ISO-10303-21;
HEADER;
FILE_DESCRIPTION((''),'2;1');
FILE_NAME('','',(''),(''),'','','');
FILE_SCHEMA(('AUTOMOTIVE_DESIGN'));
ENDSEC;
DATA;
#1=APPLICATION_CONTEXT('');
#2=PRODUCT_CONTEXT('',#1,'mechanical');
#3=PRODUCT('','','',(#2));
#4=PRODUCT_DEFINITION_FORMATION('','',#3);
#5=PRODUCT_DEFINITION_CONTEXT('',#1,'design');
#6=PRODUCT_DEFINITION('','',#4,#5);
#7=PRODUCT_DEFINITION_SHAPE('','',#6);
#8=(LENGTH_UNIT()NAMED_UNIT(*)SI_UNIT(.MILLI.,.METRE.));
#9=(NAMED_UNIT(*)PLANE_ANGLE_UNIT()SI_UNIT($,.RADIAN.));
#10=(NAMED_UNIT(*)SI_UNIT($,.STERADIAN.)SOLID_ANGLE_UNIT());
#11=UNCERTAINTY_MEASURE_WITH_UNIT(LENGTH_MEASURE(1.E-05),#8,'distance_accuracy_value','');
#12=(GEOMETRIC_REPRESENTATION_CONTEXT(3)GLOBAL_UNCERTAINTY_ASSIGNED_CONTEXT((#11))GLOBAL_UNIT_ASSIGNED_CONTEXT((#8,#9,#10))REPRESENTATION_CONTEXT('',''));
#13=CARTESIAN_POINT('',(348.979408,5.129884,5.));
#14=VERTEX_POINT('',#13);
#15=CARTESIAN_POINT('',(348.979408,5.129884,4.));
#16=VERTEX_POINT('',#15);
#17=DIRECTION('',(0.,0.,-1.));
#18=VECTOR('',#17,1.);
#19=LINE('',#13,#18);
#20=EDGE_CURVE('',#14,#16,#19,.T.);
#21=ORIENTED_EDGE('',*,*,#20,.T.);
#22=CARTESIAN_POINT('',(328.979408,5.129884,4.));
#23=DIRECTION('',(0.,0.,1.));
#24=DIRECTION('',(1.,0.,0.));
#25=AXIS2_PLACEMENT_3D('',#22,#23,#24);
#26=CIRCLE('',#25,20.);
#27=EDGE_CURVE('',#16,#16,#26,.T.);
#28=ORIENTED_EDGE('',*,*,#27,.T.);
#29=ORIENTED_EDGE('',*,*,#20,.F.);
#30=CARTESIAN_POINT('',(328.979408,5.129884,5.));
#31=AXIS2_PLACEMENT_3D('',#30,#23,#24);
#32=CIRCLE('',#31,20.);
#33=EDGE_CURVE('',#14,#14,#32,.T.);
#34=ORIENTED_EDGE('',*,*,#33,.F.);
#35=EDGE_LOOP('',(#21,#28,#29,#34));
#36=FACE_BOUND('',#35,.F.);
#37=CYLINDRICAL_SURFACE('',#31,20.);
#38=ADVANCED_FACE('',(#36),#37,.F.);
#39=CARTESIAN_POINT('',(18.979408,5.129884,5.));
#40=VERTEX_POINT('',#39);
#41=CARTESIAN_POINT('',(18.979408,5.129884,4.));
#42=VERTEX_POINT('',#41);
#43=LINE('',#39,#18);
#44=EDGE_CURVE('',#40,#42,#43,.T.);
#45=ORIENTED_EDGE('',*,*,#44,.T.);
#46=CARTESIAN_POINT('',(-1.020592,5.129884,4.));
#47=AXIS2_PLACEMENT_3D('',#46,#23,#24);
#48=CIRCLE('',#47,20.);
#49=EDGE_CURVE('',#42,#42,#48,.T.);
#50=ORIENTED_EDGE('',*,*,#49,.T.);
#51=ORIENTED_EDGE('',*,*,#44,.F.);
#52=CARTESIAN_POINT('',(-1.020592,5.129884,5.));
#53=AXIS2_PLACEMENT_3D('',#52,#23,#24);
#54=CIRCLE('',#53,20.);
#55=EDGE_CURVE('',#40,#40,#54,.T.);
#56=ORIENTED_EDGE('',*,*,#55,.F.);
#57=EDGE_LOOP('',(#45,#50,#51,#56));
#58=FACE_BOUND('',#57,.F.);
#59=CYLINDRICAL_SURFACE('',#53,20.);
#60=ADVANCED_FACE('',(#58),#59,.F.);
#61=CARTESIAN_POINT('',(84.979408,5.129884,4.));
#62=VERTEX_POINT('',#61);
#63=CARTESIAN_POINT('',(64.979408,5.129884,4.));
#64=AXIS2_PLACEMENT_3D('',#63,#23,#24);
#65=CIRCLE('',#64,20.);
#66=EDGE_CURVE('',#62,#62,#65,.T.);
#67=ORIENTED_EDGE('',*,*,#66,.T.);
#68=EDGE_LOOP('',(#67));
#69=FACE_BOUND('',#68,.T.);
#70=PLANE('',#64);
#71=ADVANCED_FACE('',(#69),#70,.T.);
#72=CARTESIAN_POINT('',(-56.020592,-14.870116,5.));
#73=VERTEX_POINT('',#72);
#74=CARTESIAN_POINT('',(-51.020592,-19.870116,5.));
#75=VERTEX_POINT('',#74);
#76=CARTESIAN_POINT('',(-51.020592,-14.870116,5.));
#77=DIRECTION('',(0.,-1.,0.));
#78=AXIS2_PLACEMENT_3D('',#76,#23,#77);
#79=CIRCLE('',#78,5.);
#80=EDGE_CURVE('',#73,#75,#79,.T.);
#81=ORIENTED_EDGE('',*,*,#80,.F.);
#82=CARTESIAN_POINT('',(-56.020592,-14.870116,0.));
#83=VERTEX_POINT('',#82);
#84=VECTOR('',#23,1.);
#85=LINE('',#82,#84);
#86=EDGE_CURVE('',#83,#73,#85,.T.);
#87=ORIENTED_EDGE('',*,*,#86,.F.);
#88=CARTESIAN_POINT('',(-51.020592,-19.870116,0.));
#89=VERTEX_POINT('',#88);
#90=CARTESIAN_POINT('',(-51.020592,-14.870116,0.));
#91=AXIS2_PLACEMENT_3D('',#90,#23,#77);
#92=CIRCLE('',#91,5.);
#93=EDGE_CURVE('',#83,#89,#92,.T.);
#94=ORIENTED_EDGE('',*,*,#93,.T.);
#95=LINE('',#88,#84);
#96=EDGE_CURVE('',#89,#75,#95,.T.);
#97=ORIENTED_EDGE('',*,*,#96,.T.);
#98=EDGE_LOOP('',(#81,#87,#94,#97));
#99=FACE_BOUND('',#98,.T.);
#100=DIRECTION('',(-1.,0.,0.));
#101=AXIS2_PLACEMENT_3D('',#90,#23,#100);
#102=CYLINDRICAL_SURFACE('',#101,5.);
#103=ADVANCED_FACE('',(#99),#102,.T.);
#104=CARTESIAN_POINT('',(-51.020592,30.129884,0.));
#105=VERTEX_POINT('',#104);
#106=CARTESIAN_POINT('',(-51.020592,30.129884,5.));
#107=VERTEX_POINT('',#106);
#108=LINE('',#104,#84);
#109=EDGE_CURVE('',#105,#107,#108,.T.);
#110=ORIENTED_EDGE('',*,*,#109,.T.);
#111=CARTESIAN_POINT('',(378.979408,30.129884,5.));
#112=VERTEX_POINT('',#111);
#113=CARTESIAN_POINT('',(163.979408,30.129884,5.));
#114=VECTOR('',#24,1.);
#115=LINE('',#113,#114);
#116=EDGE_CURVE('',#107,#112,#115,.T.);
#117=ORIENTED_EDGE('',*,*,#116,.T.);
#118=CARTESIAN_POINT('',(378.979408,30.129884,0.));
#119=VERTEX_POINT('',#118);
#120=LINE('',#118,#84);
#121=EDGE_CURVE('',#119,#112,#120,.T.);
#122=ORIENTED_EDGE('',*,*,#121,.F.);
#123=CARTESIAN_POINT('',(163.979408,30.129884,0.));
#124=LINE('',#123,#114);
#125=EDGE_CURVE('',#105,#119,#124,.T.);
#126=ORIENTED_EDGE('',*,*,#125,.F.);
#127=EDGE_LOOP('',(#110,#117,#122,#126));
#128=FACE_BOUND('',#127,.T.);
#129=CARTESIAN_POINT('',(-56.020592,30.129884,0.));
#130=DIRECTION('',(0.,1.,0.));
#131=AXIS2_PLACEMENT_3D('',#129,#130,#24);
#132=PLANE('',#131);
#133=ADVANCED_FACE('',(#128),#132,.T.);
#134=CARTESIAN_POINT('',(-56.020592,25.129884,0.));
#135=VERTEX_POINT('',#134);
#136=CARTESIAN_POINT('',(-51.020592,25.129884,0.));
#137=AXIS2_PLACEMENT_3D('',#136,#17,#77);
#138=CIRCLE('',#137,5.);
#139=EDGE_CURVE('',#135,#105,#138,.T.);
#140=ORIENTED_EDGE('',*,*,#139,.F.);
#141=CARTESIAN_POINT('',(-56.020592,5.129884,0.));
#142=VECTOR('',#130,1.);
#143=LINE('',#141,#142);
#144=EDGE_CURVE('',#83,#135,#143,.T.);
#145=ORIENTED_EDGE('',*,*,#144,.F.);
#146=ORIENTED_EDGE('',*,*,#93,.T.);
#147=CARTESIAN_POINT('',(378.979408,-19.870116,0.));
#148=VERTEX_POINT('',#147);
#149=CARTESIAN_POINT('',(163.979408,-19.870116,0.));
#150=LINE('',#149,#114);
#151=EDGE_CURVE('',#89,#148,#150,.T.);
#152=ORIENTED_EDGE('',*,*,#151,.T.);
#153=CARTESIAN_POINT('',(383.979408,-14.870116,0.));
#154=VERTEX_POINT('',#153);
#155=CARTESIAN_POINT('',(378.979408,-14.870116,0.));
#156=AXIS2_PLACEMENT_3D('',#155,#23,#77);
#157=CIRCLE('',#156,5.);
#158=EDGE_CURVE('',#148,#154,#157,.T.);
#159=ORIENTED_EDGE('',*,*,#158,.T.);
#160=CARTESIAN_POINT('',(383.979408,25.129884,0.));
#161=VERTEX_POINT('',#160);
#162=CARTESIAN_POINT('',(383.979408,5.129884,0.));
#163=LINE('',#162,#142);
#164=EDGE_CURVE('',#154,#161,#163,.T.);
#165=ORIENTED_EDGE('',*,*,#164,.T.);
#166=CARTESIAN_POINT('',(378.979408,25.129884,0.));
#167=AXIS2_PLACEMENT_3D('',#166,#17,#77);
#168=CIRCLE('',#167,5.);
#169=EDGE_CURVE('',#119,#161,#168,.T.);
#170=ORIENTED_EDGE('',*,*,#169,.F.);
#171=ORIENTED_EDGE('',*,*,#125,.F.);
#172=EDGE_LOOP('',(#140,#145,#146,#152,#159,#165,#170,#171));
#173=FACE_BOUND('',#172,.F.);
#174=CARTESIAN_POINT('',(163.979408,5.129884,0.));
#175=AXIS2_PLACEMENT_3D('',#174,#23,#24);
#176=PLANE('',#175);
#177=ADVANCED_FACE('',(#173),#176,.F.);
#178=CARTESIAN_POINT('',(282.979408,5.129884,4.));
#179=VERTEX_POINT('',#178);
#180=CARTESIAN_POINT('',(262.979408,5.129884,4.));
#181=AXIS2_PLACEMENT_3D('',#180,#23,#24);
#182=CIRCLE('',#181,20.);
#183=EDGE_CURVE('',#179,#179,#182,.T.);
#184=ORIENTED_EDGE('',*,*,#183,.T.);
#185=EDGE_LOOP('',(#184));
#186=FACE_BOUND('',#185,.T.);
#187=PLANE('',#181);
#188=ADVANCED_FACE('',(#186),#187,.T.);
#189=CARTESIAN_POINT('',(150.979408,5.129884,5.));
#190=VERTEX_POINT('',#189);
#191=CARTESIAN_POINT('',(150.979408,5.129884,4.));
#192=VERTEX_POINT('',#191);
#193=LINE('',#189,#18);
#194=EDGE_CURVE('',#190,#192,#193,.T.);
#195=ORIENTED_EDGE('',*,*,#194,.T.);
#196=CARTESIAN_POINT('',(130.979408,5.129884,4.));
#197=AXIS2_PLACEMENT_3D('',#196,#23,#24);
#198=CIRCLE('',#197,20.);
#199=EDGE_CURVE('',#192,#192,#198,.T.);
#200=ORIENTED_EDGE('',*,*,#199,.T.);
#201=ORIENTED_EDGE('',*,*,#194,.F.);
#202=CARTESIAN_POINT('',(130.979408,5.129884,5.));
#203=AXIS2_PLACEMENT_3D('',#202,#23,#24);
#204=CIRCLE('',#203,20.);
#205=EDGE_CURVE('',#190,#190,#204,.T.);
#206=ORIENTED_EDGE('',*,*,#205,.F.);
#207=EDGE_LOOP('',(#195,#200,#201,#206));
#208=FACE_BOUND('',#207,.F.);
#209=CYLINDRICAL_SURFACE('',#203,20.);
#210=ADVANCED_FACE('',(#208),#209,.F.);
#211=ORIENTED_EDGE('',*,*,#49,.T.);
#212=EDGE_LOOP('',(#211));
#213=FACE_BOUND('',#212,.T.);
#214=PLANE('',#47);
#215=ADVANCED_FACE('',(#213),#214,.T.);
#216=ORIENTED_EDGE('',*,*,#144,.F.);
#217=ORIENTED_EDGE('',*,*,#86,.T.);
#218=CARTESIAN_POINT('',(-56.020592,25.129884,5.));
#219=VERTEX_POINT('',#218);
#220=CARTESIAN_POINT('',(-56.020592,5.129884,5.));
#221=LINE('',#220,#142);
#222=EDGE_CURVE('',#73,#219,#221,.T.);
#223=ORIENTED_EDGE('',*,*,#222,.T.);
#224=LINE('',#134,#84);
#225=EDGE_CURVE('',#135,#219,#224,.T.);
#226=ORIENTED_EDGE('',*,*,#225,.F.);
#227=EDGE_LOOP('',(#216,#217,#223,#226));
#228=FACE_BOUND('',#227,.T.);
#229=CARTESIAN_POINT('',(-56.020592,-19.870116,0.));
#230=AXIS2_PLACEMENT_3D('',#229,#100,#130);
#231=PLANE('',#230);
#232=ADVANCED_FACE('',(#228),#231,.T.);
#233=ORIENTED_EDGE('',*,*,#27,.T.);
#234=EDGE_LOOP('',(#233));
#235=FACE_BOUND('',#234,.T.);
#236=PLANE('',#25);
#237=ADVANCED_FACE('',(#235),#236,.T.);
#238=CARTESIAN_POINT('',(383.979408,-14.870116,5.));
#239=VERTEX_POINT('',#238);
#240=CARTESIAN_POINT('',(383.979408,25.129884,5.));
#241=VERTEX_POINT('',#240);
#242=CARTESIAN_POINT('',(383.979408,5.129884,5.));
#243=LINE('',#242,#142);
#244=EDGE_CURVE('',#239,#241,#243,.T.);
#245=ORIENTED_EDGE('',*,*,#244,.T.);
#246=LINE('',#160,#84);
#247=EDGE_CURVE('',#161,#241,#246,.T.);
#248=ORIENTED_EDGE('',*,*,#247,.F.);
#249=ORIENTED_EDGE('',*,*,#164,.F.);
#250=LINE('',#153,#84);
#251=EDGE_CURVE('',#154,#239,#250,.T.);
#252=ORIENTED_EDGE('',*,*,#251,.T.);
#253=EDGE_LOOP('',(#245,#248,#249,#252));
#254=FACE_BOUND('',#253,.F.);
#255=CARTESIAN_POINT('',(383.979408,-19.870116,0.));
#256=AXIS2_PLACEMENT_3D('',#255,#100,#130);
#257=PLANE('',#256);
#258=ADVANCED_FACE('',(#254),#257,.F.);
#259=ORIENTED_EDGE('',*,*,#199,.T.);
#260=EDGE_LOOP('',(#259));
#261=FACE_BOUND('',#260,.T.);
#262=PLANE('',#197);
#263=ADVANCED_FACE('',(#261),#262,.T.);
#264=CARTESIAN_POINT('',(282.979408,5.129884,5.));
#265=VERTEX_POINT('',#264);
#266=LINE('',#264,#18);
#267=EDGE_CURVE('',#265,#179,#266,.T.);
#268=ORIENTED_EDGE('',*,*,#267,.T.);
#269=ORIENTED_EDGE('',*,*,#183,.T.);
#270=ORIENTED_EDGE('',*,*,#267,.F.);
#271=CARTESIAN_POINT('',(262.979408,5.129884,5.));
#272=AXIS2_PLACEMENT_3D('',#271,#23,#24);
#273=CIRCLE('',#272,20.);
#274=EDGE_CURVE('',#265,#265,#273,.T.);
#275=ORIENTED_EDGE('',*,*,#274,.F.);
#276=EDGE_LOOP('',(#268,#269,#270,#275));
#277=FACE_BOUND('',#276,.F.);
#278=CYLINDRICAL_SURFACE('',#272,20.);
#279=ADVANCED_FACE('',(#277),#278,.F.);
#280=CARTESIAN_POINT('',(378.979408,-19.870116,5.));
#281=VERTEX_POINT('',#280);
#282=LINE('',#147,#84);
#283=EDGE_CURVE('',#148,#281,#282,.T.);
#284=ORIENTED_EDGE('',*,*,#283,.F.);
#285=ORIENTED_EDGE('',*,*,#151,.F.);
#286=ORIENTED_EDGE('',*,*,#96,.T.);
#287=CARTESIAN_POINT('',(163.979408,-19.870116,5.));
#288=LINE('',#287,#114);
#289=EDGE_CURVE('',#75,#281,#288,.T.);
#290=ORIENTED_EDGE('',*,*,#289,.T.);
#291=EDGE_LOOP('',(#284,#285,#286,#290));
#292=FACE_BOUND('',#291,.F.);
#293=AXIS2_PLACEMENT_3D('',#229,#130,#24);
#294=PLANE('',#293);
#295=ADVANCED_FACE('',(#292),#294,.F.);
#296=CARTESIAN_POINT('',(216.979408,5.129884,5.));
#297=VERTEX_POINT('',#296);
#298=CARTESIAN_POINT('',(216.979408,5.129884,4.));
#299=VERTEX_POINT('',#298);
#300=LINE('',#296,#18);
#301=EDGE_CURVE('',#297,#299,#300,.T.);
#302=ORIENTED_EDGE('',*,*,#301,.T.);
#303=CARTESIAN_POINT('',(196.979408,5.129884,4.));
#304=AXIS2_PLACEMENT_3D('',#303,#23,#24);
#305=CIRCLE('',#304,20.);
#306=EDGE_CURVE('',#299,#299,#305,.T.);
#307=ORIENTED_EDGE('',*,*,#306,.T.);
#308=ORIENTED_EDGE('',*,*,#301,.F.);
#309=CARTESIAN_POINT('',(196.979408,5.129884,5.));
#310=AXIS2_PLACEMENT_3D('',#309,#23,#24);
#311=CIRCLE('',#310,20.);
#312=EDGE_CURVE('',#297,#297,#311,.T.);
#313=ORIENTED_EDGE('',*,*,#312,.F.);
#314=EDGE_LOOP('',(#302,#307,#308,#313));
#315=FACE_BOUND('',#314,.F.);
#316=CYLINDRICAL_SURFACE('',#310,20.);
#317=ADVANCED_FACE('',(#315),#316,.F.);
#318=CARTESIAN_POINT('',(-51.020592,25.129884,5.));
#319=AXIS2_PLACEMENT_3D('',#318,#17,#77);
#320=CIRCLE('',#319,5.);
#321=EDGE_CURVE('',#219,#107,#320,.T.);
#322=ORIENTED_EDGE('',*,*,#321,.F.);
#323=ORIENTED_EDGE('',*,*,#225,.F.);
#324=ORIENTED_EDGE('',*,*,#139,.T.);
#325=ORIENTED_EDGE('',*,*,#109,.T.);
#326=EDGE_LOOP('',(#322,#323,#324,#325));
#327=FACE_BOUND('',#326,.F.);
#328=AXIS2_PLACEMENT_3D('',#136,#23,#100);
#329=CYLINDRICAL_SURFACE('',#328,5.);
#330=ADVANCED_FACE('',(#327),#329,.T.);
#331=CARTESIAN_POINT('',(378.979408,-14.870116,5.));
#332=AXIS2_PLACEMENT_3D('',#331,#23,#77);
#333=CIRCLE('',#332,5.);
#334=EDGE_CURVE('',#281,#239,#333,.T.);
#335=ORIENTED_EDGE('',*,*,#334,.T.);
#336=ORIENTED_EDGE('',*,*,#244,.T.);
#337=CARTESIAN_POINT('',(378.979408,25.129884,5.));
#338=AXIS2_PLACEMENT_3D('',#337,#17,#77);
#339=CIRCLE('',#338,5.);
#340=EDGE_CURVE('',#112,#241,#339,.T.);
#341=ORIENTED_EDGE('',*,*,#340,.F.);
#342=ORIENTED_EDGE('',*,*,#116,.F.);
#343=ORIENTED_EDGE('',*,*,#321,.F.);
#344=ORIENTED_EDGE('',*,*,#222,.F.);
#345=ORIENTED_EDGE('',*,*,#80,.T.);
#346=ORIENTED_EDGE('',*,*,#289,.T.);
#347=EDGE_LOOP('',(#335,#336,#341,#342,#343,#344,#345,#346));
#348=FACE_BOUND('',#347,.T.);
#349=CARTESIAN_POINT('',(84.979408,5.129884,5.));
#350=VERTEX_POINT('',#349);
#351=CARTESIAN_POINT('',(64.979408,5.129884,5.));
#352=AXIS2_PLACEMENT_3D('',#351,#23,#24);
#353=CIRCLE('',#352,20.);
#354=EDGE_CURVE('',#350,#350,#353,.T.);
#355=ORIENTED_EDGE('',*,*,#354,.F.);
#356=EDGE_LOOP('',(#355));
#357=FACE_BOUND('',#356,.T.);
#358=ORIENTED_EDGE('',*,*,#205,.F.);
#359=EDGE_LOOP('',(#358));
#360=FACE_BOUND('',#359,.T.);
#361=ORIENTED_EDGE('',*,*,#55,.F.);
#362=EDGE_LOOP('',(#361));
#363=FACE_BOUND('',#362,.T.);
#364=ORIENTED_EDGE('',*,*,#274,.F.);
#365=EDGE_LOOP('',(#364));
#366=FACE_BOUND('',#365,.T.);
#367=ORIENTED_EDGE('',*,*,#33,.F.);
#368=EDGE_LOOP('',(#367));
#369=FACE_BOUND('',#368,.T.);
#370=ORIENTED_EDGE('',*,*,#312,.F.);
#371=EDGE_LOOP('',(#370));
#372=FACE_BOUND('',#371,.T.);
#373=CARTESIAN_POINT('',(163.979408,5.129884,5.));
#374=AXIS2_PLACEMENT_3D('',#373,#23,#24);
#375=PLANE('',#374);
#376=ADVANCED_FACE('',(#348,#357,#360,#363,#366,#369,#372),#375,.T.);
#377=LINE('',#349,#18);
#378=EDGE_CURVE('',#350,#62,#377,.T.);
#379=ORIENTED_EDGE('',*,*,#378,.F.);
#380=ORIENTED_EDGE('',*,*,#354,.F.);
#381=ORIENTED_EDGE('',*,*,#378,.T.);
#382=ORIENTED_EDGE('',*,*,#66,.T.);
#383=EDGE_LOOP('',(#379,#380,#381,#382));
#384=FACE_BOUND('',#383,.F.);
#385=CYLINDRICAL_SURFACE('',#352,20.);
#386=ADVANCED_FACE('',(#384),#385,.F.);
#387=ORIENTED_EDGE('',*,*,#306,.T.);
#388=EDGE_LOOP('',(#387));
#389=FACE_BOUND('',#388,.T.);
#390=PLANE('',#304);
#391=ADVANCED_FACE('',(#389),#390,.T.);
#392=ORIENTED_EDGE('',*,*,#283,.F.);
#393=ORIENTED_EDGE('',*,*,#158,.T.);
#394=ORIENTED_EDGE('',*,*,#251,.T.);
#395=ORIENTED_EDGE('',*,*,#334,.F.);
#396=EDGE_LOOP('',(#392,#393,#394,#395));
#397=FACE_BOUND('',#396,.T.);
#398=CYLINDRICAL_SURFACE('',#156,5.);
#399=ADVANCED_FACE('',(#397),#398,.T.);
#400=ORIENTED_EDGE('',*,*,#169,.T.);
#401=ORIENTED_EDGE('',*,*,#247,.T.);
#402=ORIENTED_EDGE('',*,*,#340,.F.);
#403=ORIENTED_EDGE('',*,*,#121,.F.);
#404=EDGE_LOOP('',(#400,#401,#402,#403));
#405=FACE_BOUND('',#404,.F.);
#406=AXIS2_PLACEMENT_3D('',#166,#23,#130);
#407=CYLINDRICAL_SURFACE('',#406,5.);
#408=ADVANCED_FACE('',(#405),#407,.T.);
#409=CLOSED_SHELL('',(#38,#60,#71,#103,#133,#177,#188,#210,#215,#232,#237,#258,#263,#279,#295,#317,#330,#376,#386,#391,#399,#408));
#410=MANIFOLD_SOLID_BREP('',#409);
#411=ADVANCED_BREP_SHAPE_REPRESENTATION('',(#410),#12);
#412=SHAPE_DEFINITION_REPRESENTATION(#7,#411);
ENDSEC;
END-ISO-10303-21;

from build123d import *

# Parameters (mm, degrees)
SKETCH_W            = 440
SKETCH_H            = 50
PAD_DEPTH           = 5
SKETCH001_R         = 20
POCKET_DEPTH        = 1
LINEARPATTERN_COUNT = 6
LINEARPATTERN_PITCH = 66
FILLET_R            = 5
FILLET001_R         = 5


with BuildPart() as part:
    # Sketch → Pad (new body)
    with BuildSketch(Plane.XY):
        with Locations((163.979408, 5.129884)):
            Rectangle(SKETCH_W, SKETCH_H)
    extrude(amount=PAD_DEPTH)

    # Sketch001 → Pocket (cut)
    with BuildSketch(Plane.XY.offset(5)):
        with Locations((-1.020592, 5.129884)):
            Circle(SKETCH001_R)
    pocket = extrude(amount=-POCKET_DEPTH, mode=Mode.SUBTRACT)

    # LinearPattern: Pocket ×6
    with Locations(*[(i * LINEARPATTERN_PITCH, 0, 0) for i in range(1, LINEARPATTERN_COUNT)]):
        add(pocket, mode=Mode.SUBTRACT)

    # Fillet
    fillet_edges = [part.edges().sort_by_distance(p)[0] for p in [
        (-56.020592, 30.129884, 2.5),
        (383.979408, -19.870116, 2.5),
        (383.979408, 30.129884, 2.5),
    ]]
    fillet(fillet_edges, radius=FILLET_R)

    # Fillet001
    fillet001_edges = [part.edges().sort_by_distance(p)[0] for p in [
        (-56.020592, -19.870116, 2.5),
    ]]
    fillet(fillet001_edges, radius=FILLET001_R)


solid = part.part
